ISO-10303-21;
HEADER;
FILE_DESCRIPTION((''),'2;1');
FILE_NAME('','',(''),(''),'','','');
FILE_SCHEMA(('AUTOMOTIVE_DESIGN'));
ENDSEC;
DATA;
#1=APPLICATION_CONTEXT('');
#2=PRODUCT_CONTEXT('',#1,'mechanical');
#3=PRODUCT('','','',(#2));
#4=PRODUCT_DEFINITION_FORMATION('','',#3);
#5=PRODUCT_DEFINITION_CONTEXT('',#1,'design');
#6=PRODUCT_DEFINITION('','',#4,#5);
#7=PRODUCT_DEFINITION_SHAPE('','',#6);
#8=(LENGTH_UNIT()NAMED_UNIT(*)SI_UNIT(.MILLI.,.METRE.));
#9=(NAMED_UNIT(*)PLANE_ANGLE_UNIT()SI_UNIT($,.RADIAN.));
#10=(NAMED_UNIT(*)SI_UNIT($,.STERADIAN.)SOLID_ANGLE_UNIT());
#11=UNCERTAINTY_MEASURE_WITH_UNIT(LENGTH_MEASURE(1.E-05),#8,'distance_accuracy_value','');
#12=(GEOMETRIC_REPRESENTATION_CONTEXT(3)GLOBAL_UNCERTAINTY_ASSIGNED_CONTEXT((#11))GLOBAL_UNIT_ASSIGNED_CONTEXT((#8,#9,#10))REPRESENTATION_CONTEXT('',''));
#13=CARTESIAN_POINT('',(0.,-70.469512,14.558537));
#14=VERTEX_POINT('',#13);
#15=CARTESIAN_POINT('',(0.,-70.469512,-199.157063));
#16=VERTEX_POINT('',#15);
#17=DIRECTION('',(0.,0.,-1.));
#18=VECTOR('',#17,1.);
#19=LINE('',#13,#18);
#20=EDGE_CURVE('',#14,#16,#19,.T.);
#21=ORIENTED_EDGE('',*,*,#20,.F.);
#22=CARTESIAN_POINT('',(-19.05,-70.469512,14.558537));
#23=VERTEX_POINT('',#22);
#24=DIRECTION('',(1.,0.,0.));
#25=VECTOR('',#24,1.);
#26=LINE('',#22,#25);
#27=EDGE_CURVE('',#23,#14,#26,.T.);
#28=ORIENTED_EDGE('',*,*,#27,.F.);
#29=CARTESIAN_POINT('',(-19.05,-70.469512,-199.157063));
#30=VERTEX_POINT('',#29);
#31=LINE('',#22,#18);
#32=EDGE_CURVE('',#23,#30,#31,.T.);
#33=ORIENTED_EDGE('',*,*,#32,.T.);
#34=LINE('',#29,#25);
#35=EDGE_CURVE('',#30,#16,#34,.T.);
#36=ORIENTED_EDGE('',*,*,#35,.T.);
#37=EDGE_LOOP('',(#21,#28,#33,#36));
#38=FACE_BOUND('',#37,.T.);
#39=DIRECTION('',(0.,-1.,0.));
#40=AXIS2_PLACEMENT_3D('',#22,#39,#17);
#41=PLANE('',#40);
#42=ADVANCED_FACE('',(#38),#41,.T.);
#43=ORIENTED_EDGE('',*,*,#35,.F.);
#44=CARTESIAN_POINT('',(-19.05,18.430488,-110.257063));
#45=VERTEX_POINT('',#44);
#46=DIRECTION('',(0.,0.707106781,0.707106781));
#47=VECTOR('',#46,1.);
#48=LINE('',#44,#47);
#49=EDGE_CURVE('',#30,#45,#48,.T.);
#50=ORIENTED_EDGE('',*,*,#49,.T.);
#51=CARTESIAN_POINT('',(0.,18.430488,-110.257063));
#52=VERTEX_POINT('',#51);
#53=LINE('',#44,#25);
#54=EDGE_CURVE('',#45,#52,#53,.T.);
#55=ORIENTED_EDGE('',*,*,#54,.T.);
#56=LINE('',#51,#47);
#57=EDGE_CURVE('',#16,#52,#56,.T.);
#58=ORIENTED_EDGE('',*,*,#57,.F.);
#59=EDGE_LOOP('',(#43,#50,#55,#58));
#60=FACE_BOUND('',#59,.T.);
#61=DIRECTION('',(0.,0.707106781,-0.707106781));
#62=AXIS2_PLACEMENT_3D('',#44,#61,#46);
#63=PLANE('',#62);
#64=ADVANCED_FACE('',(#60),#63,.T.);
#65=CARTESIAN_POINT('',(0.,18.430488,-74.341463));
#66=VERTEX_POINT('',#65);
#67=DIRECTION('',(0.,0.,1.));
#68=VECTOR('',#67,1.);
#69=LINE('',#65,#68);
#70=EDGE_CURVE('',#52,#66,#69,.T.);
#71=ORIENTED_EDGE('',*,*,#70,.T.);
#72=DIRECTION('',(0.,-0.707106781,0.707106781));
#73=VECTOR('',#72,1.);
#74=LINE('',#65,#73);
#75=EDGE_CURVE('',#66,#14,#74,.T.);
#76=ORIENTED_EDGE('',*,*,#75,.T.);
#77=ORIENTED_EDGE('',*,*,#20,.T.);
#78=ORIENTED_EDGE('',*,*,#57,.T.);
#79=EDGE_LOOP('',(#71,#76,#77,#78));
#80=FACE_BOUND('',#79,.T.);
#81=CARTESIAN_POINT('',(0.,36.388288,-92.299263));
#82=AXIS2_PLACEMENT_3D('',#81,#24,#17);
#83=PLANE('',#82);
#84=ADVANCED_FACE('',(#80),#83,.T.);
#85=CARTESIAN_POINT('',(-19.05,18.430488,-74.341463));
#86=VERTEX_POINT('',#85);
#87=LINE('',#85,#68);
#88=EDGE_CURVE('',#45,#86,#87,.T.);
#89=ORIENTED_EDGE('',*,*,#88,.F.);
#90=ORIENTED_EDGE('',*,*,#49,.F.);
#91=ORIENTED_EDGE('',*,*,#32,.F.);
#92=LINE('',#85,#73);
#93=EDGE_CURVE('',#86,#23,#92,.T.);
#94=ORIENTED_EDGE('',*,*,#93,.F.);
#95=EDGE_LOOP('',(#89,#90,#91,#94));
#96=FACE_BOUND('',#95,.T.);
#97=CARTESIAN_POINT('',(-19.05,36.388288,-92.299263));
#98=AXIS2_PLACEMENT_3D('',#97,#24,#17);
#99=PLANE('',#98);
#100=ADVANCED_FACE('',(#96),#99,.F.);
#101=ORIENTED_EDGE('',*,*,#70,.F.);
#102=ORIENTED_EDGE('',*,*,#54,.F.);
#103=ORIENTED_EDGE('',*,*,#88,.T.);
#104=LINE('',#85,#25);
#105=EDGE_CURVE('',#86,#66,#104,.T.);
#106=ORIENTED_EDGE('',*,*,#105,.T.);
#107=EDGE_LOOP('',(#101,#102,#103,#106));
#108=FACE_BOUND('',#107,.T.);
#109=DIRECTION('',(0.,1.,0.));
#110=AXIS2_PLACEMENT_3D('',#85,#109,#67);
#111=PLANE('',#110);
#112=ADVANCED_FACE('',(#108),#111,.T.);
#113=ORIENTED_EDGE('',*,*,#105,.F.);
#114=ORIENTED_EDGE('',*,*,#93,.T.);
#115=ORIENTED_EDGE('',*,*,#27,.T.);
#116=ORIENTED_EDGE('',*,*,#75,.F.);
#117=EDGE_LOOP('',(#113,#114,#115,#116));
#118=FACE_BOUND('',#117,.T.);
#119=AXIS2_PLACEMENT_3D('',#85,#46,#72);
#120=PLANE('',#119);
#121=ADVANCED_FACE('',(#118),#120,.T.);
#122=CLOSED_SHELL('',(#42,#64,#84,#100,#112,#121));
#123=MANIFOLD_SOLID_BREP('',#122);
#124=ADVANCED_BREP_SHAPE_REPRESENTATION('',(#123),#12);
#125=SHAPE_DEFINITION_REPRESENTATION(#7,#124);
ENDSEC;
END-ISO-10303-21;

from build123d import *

# Parameters (mm, degrees)
EXTRUDE1_DEPTH = 19.05


with BuildPart() as part:
    # Sketch1 → Extrude1 (new body)
    with BuildSketch(Plane(origin=(0, 0, 0), x_dir=(0, 0, -1), z_dir=(1, 0, 0))):
        Polygon((74.341463415, 18.430487805), (110.257063415, 18.430487805), (199.157063415, -70.469512195), (-14.558536585, -70.469512195), align=None)
    extrude(amount=-EXTRUDE1_DEPTH)


solid = part.part
